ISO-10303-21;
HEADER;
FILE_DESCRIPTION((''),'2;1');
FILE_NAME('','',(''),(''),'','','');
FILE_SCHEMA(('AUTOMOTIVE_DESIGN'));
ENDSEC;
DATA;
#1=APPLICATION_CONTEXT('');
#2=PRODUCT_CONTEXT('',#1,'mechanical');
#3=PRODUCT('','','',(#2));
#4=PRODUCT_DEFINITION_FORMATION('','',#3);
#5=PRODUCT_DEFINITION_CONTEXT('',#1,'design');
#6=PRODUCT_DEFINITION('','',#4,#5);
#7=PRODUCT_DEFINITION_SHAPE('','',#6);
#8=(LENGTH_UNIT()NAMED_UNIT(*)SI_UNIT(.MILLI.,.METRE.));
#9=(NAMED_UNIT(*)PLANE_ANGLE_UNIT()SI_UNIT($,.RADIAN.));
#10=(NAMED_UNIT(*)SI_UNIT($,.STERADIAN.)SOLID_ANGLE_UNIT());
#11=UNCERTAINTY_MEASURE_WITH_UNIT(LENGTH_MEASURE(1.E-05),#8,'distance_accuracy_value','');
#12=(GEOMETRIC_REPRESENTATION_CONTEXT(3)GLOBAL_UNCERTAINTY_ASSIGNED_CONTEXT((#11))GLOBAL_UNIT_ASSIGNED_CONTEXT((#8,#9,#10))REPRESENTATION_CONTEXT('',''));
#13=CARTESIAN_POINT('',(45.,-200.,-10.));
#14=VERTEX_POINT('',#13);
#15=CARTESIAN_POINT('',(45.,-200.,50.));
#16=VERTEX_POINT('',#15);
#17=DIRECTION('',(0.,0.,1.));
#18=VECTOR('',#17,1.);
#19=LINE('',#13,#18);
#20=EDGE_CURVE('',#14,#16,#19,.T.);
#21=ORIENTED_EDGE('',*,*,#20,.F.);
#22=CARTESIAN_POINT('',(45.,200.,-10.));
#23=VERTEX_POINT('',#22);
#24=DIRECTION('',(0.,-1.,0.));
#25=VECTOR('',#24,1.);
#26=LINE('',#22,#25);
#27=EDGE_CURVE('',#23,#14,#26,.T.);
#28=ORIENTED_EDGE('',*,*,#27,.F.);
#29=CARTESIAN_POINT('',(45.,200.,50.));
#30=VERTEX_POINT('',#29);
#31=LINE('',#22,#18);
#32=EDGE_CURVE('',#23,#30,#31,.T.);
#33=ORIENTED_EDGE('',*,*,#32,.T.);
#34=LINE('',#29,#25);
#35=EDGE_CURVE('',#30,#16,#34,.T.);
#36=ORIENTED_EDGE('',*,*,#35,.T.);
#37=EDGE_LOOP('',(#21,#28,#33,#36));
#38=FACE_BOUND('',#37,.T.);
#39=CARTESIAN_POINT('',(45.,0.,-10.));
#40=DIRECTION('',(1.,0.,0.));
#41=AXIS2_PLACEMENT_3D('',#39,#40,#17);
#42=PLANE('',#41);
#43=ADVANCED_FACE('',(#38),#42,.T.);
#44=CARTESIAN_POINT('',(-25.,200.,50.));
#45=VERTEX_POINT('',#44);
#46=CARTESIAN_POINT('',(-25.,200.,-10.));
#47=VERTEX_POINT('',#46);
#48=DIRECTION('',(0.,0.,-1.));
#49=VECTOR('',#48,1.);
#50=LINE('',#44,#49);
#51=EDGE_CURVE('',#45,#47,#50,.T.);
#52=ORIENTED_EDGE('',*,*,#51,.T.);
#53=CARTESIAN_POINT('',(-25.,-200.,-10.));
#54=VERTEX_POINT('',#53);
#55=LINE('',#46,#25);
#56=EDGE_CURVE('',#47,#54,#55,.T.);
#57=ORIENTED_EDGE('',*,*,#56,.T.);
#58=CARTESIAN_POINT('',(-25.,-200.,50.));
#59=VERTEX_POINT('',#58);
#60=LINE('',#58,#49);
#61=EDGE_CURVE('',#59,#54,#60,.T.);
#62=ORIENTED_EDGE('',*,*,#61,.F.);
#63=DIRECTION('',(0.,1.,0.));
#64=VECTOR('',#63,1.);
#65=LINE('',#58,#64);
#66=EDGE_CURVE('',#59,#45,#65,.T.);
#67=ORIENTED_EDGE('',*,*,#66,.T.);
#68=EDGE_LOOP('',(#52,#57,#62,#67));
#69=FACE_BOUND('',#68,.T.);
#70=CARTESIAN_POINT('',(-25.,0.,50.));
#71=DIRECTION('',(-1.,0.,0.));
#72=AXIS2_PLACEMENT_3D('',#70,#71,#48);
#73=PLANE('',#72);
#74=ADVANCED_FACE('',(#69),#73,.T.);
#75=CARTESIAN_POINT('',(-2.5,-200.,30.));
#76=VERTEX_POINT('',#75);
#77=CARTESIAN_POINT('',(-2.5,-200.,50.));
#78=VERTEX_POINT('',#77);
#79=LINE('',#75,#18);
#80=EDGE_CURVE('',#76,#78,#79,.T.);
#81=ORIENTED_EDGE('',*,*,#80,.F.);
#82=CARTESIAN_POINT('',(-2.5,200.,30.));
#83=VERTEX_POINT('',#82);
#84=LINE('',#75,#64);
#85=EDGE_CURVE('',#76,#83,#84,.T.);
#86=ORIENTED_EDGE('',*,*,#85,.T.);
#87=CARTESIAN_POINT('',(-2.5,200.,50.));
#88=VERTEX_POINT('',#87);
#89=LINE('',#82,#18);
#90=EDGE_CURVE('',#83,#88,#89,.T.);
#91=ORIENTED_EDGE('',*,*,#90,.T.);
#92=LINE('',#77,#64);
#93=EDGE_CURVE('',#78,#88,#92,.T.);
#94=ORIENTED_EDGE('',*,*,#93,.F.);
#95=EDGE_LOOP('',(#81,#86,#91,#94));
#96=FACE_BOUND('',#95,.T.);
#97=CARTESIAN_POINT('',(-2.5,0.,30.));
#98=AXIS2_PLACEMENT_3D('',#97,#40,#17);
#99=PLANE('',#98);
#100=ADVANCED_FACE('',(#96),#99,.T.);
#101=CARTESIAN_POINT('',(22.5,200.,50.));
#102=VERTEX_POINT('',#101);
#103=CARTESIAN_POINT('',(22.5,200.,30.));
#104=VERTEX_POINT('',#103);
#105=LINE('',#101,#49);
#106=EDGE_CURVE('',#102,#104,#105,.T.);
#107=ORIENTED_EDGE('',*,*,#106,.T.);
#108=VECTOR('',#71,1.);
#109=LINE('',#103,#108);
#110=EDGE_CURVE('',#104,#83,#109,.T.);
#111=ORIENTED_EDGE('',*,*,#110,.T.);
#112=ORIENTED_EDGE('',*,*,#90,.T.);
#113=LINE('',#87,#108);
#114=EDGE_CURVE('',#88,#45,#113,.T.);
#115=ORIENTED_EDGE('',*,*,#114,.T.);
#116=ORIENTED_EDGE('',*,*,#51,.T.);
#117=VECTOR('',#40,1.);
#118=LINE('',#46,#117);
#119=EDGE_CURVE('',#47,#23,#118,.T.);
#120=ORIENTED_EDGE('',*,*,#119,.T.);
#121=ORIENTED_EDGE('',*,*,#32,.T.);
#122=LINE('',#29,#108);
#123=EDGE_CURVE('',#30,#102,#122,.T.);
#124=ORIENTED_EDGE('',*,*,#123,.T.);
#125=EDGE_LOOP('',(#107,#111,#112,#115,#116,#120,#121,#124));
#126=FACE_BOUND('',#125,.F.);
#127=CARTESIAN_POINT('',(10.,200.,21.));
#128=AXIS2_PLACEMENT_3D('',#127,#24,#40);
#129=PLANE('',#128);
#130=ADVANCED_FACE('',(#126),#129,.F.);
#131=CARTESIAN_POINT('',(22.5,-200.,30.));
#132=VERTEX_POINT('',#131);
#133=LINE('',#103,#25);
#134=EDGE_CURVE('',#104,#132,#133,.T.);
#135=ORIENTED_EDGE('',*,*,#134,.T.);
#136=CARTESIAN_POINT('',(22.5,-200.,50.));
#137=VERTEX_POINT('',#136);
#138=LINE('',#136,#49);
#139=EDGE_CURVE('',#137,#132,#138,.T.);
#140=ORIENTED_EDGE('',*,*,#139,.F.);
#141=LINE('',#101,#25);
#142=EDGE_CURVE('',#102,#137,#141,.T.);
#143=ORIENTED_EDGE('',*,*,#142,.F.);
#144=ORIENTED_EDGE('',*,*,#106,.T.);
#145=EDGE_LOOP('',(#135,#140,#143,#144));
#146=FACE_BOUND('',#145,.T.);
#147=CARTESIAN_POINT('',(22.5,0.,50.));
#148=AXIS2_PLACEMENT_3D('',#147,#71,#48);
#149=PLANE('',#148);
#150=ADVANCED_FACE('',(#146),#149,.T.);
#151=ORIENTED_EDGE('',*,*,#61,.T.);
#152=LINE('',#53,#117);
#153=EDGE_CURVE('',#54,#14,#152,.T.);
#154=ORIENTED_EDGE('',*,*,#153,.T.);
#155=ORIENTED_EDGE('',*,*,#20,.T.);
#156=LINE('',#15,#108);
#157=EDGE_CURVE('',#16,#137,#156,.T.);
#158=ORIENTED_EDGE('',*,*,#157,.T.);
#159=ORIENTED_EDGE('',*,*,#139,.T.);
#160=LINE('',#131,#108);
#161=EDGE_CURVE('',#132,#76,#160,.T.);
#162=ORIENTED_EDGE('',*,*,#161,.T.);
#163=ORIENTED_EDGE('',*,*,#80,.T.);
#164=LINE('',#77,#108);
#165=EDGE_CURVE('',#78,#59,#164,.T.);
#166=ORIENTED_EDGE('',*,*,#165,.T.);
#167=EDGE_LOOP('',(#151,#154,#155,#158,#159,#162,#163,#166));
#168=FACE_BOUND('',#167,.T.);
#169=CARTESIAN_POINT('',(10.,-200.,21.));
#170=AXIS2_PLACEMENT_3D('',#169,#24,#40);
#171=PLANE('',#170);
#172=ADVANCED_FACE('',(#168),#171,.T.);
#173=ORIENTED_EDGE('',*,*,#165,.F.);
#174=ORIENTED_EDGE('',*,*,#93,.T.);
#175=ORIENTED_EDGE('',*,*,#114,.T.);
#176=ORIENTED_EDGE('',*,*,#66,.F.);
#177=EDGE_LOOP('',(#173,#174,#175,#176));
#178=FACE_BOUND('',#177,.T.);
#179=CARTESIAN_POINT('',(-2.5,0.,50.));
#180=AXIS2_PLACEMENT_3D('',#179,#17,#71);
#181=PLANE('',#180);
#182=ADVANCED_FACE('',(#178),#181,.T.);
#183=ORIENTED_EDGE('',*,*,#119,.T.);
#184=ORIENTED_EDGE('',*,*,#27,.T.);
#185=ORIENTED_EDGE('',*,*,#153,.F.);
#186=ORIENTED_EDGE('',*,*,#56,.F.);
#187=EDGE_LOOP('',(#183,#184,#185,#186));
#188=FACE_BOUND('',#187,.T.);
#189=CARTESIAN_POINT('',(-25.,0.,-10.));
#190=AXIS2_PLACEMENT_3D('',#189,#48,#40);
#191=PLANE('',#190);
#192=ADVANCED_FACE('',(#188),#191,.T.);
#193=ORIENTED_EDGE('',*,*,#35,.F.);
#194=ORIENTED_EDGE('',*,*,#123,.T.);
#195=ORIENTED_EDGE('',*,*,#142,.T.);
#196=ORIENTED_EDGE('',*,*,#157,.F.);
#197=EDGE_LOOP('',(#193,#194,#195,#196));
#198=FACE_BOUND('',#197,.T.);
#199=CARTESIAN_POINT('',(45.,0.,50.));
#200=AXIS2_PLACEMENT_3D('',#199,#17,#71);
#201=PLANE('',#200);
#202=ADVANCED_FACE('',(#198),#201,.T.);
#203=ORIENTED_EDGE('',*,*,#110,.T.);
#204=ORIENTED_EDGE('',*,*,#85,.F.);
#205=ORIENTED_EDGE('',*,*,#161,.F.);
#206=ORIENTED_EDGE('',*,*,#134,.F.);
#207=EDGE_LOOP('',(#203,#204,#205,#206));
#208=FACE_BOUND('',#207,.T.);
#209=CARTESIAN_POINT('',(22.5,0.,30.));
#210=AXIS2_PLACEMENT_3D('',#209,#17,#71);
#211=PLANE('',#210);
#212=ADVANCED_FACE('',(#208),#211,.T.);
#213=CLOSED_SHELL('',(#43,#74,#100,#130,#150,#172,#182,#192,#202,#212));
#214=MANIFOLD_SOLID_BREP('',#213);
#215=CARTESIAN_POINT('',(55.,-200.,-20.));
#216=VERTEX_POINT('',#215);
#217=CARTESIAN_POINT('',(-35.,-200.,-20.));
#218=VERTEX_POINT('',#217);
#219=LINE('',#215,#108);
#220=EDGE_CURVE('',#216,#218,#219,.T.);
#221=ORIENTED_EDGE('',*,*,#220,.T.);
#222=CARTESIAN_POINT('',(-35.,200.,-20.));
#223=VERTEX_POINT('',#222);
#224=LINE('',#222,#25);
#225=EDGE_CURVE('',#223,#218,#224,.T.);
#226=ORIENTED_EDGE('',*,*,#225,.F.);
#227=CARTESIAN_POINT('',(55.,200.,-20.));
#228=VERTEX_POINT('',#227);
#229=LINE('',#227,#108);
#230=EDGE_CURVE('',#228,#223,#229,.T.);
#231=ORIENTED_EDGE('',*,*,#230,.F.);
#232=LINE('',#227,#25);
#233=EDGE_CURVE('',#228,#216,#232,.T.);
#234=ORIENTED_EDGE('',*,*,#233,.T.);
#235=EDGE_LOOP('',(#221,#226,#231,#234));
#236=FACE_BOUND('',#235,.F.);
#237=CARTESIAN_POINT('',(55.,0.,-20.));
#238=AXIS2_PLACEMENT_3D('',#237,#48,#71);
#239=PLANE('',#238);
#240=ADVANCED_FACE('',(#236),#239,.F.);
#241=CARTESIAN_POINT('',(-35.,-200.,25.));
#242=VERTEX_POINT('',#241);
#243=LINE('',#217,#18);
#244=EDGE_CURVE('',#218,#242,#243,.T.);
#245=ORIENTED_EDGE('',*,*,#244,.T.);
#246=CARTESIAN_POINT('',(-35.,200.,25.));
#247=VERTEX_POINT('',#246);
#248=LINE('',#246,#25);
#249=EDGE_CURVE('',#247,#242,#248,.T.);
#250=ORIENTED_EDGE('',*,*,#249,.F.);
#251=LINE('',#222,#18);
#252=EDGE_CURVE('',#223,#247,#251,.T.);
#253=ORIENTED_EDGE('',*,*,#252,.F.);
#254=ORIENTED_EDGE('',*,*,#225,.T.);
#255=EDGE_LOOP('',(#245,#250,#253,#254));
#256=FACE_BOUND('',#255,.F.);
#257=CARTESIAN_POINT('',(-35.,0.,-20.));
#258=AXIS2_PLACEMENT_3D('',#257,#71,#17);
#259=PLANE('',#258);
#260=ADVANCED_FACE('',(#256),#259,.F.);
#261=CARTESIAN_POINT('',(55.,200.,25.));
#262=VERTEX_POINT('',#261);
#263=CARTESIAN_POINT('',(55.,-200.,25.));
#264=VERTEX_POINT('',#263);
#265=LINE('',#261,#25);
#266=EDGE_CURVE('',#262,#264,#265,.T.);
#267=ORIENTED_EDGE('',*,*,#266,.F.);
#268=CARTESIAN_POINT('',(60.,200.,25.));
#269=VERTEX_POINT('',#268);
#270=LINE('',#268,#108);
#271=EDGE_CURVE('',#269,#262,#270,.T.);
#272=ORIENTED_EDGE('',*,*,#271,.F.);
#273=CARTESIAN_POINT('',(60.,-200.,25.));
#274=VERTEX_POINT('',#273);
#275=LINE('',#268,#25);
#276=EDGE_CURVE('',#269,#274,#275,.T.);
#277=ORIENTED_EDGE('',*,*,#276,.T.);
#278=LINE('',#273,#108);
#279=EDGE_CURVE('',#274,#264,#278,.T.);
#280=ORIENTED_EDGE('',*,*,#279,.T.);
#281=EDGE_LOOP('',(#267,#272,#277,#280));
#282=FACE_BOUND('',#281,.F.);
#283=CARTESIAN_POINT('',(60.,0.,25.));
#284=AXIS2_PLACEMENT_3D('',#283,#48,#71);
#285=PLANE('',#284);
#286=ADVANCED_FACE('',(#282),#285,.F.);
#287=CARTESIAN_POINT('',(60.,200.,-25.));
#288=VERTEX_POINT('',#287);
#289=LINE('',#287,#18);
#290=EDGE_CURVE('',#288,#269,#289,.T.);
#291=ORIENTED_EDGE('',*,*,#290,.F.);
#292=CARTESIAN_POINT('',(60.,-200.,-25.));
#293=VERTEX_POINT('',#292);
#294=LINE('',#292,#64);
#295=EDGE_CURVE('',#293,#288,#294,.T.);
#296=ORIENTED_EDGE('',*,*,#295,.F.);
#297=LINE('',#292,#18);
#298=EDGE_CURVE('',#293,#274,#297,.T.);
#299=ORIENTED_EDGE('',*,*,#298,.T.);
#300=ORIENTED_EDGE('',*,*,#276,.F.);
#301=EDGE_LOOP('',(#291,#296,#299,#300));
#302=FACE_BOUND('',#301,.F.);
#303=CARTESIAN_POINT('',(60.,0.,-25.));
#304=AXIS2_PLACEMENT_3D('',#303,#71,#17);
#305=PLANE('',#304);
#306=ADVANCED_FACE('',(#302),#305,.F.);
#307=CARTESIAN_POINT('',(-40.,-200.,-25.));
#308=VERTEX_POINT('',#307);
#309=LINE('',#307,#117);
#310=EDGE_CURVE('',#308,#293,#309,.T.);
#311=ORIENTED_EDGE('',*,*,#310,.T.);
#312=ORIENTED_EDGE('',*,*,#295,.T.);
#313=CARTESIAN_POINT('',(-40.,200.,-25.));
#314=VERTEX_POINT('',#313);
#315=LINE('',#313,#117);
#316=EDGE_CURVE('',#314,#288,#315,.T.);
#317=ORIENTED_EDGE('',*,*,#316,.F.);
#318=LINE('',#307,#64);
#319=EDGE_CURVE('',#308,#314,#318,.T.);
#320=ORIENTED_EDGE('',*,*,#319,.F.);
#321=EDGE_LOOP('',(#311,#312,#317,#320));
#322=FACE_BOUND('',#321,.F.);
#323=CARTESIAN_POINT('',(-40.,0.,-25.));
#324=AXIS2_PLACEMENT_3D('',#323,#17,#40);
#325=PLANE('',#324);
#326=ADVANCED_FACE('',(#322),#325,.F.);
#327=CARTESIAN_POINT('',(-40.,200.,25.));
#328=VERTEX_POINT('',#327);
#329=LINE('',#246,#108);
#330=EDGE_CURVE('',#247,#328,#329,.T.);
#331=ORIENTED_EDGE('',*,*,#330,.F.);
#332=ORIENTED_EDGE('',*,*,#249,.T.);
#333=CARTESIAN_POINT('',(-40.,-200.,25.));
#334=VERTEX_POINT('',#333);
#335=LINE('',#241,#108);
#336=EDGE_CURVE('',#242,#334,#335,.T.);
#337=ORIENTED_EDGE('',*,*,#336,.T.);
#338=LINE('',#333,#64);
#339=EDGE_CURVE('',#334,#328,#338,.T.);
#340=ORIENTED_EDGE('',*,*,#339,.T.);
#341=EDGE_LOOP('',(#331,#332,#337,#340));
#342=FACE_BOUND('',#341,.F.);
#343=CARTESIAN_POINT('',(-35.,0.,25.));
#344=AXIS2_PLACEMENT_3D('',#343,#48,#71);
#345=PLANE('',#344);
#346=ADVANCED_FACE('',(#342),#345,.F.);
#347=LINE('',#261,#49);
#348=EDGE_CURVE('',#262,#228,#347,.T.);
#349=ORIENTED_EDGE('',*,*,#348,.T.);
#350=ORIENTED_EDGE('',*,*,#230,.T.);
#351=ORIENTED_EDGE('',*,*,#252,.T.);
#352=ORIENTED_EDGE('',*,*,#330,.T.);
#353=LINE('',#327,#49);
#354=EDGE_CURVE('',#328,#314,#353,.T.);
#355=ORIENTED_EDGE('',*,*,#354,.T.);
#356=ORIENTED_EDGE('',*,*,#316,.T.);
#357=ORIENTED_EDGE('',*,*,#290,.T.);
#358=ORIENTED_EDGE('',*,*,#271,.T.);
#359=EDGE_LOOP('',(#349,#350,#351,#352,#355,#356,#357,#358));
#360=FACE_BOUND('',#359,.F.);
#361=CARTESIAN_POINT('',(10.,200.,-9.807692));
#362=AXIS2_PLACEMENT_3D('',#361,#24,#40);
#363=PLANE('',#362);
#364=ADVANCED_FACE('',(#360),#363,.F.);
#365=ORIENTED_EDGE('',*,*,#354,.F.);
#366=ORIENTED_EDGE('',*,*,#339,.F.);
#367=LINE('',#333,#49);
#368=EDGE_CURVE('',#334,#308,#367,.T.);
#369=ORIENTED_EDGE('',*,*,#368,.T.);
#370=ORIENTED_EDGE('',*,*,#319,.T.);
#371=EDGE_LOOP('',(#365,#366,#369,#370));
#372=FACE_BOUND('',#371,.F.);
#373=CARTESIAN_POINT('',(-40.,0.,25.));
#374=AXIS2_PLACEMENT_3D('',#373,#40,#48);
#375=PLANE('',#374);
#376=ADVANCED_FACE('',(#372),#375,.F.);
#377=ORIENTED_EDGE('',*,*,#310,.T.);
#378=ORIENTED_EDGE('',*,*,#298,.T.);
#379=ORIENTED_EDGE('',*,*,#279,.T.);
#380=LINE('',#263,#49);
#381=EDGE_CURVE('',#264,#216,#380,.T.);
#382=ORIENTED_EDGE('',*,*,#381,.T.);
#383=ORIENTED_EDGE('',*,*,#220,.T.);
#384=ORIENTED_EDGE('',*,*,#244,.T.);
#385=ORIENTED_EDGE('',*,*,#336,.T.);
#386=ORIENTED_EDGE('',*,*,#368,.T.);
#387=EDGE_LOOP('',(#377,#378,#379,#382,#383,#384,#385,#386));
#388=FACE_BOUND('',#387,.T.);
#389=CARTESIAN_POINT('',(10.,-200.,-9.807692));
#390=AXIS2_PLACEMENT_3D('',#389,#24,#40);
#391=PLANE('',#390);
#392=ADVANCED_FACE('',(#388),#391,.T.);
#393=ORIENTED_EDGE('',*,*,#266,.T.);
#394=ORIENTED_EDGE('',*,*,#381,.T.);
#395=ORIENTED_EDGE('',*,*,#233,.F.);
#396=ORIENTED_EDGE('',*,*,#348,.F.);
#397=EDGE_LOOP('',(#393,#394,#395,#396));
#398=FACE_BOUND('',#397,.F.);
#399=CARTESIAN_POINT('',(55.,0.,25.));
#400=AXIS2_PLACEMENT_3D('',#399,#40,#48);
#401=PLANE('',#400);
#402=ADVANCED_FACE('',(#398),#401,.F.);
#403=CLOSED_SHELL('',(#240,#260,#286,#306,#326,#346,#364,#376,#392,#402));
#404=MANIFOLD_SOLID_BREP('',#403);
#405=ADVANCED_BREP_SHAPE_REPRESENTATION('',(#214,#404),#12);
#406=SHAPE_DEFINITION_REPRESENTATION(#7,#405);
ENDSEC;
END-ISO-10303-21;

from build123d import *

# Parameters (mm, degrees)
F1_DEPTH = 200


with BuildPart() as f1:
    # F0 (on Front) → F1 (new body, symmetric)
    with BuildSketch(Plane.XZ):
        Polygon((60, -25), (60, 25), (55, 25), (55, -20), (-35, -20), (-35, 25), (-40, 25), (-40, -25), align=None)
        Polygon((-25, 50), (-25, 25), (-25, -10), (45, -10), (45, 25), (45, 50), (22.5, 50), (22.5, 30), (-2.5, 30), (-2.5, 50), align=None)
    extrude(amount=F1_DEPTH, both=True)


solid = f1.part
